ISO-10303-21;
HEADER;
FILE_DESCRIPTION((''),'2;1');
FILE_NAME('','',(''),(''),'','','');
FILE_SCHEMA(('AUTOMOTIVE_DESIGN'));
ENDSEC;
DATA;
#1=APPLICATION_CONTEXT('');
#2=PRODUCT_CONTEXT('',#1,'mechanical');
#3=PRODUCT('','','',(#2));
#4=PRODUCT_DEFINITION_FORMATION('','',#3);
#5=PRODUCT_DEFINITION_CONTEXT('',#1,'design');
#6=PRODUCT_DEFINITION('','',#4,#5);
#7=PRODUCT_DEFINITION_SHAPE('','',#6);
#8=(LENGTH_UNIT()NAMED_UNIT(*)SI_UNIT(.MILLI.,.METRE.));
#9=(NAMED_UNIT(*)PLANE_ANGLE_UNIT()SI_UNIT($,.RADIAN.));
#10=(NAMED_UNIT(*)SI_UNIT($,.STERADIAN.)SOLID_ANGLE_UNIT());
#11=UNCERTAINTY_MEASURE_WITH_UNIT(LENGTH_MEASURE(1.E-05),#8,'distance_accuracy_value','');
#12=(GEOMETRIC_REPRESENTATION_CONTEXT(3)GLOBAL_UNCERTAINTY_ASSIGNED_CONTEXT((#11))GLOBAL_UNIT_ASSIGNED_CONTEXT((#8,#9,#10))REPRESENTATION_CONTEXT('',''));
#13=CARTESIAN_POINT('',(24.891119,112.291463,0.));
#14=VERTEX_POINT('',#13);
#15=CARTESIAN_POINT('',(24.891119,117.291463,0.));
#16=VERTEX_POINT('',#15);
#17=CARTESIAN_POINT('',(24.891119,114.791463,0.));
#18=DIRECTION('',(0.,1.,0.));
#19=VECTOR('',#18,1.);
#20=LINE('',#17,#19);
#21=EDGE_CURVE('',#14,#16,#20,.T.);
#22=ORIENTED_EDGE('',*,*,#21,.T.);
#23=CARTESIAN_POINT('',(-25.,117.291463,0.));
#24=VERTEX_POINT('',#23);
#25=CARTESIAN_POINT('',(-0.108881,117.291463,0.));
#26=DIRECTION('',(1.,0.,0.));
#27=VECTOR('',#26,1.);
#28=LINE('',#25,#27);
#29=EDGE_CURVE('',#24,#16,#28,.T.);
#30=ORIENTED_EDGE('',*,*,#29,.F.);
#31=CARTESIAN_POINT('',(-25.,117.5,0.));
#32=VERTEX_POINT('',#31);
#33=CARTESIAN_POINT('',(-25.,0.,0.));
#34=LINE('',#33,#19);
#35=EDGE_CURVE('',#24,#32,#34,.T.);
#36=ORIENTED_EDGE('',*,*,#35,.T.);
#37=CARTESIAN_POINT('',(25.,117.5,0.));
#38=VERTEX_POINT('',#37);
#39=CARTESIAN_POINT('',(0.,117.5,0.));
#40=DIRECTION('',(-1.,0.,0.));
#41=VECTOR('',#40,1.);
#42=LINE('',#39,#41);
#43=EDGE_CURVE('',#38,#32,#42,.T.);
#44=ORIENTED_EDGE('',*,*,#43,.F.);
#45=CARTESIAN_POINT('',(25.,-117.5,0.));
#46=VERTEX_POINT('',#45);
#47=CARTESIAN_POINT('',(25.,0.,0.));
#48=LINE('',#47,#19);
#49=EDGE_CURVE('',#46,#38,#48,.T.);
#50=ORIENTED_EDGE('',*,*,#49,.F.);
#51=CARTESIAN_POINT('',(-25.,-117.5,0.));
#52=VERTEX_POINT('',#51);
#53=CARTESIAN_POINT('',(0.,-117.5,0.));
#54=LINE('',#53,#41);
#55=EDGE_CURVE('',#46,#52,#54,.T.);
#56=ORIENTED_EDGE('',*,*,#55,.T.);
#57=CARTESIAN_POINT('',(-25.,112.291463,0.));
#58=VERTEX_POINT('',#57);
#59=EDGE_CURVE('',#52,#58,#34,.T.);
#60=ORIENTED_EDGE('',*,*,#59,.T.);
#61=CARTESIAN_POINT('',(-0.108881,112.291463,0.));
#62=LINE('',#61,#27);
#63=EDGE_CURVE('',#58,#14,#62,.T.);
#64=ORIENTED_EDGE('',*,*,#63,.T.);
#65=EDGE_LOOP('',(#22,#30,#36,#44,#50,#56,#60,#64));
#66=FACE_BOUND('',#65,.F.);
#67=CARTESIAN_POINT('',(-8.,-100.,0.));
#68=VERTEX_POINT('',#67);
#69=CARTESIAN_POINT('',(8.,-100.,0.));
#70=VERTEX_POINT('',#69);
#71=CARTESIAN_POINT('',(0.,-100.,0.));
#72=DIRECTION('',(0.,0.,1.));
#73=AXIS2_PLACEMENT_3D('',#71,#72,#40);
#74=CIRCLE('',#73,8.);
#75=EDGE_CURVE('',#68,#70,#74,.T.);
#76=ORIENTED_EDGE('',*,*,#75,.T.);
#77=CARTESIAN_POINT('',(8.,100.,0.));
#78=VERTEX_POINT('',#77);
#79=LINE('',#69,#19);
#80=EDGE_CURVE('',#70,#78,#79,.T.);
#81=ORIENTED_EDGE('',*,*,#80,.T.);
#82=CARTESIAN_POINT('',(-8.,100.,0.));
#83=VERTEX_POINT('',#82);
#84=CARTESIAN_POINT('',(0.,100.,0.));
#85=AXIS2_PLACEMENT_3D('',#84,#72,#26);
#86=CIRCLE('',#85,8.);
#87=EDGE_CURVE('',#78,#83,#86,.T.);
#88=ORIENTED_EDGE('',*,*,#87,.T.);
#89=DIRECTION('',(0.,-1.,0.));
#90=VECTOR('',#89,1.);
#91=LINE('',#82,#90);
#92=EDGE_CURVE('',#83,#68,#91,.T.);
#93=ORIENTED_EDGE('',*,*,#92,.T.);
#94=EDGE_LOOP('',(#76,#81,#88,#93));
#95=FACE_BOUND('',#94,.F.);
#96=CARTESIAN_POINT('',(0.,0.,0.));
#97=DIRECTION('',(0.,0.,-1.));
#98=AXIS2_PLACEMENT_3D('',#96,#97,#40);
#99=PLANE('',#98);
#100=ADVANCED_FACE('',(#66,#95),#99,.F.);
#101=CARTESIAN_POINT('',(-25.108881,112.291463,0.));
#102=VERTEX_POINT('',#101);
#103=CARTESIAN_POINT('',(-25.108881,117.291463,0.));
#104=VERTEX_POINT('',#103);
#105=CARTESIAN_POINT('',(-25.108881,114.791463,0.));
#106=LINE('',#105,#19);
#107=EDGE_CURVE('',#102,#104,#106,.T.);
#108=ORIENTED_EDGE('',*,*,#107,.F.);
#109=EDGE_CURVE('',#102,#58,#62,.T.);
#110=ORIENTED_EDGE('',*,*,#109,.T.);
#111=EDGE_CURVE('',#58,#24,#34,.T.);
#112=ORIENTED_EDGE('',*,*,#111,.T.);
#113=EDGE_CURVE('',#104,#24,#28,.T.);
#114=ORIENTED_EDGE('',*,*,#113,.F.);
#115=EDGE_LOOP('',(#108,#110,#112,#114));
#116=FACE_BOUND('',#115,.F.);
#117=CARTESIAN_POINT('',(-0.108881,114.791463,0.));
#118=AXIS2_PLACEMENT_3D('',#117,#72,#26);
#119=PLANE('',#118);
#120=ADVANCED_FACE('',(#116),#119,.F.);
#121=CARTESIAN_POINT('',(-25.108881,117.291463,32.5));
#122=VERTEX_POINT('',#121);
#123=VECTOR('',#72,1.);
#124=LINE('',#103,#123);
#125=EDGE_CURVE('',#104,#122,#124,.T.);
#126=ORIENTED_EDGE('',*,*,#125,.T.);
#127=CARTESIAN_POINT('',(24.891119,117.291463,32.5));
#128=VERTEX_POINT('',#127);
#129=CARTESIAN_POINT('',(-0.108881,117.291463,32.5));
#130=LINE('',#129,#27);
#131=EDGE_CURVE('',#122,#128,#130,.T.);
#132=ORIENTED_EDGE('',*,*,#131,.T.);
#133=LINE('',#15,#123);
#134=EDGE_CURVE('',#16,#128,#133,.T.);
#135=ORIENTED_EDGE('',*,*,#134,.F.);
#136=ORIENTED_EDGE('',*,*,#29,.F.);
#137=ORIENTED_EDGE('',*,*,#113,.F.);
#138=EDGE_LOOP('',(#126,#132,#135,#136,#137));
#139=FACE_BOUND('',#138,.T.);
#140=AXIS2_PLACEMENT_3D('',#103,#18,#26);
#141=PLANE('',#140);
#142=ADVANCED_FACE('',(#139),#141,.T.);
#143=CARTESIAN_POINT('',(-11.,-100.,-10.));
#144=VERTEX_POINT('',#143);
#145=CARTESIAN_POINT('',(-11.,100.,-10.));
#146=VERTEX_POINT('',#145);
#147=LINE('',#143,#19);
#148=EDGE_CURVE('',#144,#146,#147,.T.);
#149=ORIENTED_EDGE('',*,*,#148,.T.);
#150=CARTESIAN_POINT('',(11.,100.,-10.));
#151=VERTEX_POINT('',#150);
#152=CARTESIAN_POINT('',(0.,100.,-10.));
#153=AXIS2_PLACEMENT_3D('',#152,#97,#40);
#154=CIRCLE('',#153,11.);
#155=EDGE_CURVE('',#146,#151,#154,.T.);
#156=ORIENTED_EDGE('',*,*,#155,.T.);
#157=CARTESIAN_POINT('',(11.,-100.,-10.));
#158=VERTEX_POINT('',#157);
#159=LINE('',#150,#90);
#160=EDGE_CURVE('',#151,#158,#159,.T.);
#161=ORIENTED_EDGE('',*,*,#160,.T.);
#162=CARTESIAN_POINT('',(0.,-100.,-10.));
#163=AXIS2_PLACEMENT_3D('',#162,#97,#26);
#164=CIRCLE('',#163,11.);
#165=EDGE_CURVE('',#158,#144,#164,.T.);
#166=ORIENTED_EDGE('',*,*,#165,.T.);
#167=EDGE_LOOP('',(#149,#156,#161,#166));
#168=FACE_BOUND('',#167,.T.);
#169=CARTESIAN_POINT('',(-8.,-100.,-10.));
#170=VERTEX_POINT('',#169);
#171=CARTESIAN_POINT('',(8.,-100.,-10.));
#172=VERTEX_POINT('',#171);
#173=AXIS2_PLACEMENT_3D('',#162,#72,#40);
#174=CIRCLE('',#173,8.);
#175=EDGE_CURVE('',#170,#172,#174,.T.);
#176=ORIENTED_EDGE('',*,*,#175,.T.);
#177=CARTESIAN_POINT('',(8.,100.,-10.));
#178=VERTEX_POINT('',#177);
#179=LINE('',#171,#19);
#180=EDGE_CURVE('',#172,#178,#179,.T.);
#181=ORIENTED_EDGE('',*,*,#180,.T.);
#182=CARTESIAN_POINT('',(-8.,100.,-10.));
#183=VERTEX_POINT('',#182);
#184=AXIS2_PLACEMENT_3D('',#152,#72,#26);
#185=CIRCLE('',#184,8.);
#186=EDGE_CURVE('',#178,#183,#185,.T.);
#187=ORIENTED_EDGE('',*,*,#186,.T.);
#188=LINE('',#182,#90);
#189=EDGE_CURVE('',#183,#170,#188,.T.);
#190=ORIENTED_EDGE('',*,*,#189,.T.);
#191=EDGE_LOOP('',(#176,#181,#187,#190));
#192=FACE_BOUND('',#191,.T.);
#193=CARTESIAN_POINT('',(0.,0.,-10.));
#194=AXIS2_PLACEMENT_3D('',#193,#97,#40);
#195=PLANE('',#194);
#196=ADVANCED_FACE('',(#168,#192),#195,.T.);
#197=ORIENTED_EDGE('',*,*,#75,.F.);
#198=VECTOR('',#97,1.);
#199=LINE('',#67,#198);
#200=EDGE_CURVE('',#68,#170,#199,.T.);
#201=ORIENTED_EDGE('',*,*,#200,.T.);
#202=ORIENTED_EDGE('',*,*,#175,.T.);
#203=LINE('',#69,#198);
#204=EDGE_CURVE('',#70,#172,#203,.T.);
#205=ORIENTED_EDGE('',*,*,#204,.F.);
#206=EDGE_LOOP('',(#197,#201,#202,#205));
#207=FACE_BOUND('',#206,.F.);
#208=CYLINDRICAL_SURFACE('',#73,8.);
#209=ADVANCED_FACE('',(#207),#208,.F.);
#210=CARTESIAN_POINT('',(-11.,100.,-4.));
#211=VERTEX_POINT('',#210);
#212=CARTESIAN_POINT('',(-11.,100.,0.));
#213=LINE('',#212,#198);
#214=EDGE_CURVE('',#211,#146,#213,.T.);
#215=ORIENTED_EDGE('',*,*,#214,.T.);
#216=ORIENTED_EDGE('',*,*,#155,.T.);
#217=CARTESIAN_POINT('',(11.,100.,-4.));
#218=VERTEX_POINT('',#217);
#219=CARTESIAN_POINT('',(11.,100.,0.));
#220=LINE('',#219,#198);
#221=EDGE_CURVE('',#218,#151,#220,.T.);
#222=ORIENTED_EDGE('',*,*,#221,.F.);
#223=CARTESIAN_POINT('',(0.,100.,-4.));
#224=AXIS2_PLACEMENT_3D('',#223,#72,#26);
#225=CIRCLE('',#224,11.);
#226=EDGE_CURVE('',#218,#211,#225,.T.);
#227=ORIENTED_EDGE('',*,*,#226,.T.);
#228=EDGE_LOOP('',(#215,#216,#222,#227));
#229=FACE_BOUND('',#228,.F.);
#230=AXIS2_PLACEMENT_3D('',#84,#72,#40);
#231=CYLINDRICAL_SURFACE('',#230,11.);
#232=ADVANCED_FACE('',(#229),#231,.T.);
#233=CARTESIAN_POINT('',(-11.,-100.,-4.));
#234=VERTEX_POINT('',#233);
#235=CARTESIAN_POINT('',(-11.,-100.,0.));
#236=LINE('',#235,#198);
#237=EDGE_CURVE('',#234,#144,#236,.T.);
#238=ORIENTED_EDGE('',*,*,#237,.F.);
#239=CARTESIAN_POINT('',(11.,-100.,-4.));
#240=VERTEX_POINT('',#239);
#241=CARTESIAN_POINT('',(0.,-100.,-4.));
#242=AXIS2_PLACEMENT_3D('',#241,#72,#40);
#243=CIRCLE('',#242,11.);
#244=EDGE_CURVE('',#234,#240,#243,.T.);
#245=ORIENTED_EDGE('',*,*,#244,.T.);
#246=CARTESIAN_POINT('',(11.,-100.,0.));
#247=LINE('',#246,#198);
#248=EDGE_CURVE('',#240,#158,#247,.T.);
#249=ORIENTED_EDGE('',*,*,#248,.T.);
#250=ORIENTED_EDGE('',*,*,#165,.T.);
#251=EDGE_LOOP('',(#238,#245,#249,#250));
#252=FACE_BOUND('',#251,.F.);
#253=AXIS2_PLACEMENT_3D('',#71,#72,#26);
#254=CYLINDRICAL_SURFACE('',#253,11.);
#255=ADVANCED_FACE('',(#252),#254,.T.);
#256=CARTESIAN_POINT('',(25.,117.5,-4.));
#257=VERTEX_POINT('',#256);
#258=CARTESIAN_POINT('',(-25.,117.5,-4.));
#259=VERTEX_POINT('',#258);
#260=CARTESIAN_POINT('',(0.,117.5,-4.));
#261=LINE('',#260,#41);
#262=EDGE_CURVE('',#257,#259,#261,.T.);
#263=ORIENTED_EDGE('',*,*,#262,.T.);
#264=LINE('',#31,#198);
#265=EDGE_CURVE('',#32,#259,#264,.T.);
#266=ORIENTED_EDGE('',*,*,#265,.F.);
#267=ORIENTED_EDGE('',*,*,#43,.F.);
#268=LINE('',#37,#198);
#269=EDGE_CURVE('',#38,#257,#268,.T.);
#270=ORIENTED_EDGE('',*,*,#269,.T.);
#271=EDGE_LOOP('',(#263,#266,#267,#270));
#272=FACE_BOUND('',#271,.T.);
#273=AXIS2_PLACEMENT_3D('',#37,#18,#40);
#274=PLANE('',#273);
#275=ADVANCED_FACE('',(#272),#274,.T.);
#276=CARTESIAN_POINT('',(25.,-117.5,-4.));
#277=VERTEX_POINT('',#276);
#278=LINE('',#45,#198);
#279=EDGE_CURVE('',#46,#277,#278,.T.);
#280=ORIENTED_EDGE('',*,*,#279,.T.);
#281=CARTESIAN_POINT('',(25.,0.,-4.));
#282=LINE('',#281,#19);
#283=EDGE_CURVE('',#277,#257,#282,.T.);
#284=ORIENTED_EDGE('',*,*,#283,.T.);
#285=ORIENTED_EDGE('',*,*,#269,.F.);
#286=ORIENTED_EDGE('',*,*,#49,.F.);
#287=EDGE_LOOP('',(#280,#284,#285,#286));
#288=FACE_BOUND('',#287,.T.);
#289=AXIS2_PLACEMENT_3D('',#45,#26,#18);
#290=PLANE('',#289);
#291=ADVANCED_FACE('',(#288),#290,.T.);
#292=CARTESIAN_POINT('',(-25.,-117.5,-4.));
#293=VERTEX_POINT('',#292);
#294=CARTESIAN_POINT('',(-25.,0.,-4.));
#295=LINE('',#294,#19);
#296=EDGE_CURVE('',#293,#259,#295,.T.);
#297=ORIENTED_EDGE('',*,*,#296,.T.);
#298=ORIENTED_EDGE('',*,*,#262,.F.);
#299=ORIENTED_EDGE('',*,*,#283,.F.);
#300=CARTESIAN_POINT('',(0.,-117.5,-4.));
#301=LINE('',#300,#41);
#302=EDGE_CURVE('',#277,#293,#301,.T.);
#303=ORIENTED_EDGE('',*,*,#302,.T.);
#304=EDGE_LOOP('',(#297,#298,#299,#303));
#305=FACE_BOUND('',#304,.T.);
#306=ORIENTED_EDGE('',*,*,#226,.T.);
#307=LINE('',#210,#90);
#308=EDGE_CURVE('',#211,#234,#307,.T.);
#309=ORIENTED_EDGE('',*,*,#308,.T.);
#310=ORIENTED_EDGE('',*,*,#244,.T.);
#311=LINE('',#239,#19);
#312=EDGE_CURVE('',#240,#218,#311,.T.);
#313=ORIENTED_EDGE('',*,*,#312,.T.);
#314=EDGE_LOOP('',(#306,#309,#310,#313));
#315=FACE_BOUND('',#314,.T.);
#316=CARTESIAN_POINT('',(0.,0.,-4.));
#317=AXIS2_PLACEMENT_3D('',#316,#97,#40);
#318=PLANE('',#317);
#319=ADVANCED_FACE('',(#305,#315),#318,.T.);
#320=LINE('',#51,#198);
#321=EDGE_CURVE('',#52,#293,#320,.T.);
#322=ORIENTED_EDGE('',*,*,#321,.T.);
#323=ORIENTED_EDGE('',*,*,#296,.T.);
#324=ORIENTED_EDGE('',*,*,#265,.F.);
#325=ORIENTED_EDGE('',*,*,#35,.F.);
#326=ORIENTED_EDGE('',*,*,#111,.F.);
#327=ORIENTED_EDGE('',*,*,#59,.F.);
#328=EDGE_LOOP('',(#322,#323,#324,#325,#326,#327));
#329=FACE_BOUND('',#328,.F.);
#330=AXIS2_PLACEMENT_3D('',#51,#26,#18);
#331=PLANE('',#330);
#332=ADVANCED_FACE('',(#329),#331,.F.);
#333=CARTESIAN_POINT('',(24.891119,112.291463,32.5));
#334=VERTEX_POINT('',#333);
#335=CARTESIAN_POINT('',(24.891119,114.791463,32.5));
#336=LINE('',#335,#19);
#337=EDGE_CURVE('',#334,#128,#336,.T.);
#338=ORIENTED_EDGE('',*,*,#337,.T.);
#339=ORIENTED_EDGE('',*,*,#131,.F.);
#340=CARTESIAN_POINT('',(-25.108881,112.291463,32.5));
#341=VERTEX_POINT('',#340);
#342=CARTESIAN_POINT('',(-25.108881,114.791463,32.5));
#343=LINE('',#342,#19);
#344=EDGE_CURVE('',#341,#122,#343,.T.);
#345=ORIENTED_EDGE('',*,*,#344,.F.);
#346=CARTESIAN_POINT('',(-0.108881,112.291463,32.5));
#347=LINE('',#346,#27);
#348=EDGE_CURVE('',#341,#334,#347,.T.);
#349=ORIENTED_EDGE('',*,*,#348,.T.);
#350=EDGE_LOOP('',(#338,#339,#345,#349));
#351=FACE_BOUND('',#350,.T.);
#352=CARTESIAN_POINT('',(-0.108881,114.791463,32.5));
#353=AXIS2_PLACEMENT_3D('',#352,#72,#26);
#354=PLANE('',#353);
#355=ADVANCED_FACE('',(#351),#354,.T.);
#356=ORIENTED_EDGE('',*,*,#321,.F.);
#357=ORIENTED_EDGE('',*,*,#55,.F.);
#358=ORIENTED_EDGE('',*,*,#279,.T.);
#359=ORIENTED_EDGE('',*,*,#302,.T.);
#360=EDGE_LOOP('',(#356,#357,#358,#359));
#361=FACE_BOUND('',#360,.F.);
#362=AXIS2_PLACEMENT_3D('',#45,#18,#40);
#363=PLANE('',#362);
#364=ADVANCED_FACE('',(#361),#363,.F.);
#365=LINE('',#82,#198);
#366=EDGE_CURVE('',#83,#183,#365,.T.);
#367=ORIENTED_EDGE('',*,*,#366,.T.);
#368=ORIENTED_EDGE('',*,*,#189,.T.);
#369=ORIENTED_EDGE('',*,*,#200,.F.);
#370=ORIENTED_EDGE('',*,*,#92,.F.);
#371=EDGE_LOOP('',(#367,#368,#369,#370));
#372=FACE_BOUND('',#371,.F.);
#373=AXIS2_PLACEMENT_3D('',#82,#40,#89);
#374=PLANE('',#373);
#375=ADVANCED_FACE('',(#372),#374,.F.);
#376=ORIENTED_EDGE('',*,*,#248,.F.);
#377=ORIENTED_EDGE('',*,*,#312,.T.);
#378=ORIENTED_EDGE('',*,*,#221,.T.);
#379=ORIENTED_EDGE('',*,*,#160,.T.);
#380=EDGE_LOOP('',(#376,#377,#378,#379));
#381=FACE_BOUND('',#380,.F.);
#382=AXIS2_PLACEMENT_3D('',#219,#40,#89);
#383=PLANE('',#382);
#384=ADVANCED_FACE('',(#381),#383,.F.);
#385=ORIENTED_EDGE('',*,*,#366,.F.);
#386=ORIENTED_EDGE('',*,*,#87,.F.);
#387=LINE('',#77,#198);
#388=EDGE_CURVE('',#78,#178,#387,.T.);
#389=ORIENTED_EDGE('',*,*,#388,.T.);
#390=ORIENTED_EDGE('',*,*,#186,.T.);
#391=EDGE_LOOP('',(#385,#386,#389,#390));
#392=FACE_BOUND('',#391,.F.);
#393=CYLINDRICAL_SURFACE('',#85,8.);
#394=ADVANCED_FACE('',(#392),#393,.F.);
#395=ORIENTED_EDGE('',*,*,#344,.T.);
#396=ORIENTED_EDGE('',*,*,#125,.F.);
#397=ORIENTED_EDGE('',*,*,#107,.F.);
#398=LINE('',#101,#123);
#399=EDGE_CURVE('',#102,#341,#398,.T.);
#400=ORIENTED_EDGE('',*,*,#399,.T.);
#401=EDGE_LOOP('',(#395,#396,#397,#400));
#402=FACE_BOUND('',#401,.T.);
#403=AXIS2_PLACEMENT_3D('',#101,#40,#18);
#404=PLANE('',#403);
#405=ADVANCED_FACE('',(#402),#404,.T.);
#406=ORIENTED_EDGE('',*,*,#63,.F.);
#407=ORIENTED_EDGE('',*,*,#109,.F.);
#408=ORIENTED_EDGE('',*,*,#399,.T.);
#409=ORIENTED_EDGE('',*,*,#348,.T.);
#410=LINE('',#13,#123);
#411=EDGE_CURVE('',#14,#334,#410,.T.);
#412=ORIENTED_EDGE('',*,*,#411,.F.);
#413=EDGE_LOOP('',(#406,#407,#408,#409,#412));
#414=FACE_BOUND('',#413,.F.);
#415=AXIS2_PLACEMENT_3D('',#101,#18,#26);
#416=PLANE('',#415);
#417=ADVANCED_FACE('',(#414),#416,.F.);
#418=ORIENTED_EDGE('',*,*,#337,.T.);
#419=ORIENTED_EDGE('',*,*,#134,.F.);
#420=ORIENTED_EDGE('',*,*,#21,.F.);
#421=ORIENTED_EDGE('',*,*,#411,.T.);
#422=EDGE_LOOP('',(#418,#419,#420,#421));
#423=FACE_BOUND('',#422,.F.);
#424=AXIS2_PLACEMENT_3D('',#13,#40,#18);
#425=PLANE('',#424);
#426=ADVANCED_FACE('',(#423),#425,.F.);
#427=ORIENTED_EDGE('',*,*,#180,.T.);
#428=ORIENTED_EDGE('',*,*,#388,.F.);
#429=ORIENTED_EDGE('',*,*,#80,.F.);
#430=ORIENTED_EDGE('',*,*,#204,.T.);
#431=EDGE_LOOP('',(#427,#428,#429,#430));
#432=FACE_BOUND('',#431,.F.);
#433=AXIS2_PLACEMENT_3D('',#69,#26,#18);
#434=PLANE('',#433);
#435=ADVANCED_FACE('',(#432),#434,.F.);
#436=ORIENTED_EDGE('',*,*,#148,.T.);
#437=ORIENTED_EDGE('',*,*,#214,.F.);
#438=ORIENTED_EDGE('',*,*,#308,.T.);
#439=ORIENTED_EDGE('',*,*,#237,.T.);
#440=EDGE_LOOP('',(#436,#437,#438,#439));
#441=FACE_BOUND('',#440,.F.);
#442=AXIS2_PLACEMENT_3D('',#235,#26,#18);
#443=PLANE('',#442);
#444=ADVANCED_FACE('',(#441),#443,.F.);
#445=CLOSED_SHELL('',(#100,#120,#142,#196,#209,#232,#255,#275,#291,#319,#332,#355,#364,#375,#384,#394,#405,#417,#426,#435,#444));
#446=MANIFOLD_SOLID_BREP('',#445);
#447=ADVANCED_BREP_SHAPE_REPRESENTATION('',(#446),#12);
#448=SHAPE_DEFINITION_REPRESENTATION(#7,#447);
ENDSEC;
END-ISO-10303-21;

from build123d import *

# Parameters (mm, degrees)
F0_W     = 50
F0_H     = 235
F1_DEPTH = 4
F2_DEPTH = 10
F3_ANGLE = 180
F5_W     = 50
F5_H     = 5
F6_DEPTH = 32.5


with BuildPart() as f1:
    # F0 (on Top) → F1 (new body)
    with BuildSketch(Plane.XY):
        Rectangle(F0_W, F0_H)
        with BuildLine():
            Line((11, 100), (11, -100))
            ThreePointArc((11, -100), (0, -111), (-11, -100))
            Line((-11, -100), (-11, 100))
            ThreePointArc((-11, 100), (0, 111), (11, 100))
        make_face(mode=Mode.SUBTRACT)
    extrude(amount=F1_DEPTH)

    # F0 (on Top) → F2 (join)
    with BuildSketch(Plane.XY):
        with BuildLine():
            ThreePointArc((-11, -100), (0, -111), (11, -100))
            Line((11, -100), (11, 100))
            ThreePointArc((11, 100), (0, 111), (-11, 100))
            Line((-11, 100), (-11, -100))
        make_face()
        with BuildLine():
            Line((8, 100), (8, -100))
            ThreePointArc((8, -100), (0, -108), (-8, -100))
            Line((-8, -100), (-8, 100))
            ThreePointArc((-8, 100), (0, 108), (8, 100))
        make_face(mode=Mode.SUBTRACT)
    extrude(amount=F2_DEPTH)


with BuildPart() as f1_1:
    # F3: moved
    add(f1.part.rotate(Axis((-8, 0, 0), (0, 1, 0)), F3_ANGLE))


with BuildPart() as f1_2:
    # F4: moved
    add(f1_1.part.moved(Location((16, 0, 0))))

    # F5 (on face) → F6 (join)
    with BuildSketch(Plane.XY):
        with Locations((-0.108881, 114.791463)):
            Rectangle(F5_W, F5_H)
    extrude(amount=F6_DEPTH)


solid = f1_2.part
